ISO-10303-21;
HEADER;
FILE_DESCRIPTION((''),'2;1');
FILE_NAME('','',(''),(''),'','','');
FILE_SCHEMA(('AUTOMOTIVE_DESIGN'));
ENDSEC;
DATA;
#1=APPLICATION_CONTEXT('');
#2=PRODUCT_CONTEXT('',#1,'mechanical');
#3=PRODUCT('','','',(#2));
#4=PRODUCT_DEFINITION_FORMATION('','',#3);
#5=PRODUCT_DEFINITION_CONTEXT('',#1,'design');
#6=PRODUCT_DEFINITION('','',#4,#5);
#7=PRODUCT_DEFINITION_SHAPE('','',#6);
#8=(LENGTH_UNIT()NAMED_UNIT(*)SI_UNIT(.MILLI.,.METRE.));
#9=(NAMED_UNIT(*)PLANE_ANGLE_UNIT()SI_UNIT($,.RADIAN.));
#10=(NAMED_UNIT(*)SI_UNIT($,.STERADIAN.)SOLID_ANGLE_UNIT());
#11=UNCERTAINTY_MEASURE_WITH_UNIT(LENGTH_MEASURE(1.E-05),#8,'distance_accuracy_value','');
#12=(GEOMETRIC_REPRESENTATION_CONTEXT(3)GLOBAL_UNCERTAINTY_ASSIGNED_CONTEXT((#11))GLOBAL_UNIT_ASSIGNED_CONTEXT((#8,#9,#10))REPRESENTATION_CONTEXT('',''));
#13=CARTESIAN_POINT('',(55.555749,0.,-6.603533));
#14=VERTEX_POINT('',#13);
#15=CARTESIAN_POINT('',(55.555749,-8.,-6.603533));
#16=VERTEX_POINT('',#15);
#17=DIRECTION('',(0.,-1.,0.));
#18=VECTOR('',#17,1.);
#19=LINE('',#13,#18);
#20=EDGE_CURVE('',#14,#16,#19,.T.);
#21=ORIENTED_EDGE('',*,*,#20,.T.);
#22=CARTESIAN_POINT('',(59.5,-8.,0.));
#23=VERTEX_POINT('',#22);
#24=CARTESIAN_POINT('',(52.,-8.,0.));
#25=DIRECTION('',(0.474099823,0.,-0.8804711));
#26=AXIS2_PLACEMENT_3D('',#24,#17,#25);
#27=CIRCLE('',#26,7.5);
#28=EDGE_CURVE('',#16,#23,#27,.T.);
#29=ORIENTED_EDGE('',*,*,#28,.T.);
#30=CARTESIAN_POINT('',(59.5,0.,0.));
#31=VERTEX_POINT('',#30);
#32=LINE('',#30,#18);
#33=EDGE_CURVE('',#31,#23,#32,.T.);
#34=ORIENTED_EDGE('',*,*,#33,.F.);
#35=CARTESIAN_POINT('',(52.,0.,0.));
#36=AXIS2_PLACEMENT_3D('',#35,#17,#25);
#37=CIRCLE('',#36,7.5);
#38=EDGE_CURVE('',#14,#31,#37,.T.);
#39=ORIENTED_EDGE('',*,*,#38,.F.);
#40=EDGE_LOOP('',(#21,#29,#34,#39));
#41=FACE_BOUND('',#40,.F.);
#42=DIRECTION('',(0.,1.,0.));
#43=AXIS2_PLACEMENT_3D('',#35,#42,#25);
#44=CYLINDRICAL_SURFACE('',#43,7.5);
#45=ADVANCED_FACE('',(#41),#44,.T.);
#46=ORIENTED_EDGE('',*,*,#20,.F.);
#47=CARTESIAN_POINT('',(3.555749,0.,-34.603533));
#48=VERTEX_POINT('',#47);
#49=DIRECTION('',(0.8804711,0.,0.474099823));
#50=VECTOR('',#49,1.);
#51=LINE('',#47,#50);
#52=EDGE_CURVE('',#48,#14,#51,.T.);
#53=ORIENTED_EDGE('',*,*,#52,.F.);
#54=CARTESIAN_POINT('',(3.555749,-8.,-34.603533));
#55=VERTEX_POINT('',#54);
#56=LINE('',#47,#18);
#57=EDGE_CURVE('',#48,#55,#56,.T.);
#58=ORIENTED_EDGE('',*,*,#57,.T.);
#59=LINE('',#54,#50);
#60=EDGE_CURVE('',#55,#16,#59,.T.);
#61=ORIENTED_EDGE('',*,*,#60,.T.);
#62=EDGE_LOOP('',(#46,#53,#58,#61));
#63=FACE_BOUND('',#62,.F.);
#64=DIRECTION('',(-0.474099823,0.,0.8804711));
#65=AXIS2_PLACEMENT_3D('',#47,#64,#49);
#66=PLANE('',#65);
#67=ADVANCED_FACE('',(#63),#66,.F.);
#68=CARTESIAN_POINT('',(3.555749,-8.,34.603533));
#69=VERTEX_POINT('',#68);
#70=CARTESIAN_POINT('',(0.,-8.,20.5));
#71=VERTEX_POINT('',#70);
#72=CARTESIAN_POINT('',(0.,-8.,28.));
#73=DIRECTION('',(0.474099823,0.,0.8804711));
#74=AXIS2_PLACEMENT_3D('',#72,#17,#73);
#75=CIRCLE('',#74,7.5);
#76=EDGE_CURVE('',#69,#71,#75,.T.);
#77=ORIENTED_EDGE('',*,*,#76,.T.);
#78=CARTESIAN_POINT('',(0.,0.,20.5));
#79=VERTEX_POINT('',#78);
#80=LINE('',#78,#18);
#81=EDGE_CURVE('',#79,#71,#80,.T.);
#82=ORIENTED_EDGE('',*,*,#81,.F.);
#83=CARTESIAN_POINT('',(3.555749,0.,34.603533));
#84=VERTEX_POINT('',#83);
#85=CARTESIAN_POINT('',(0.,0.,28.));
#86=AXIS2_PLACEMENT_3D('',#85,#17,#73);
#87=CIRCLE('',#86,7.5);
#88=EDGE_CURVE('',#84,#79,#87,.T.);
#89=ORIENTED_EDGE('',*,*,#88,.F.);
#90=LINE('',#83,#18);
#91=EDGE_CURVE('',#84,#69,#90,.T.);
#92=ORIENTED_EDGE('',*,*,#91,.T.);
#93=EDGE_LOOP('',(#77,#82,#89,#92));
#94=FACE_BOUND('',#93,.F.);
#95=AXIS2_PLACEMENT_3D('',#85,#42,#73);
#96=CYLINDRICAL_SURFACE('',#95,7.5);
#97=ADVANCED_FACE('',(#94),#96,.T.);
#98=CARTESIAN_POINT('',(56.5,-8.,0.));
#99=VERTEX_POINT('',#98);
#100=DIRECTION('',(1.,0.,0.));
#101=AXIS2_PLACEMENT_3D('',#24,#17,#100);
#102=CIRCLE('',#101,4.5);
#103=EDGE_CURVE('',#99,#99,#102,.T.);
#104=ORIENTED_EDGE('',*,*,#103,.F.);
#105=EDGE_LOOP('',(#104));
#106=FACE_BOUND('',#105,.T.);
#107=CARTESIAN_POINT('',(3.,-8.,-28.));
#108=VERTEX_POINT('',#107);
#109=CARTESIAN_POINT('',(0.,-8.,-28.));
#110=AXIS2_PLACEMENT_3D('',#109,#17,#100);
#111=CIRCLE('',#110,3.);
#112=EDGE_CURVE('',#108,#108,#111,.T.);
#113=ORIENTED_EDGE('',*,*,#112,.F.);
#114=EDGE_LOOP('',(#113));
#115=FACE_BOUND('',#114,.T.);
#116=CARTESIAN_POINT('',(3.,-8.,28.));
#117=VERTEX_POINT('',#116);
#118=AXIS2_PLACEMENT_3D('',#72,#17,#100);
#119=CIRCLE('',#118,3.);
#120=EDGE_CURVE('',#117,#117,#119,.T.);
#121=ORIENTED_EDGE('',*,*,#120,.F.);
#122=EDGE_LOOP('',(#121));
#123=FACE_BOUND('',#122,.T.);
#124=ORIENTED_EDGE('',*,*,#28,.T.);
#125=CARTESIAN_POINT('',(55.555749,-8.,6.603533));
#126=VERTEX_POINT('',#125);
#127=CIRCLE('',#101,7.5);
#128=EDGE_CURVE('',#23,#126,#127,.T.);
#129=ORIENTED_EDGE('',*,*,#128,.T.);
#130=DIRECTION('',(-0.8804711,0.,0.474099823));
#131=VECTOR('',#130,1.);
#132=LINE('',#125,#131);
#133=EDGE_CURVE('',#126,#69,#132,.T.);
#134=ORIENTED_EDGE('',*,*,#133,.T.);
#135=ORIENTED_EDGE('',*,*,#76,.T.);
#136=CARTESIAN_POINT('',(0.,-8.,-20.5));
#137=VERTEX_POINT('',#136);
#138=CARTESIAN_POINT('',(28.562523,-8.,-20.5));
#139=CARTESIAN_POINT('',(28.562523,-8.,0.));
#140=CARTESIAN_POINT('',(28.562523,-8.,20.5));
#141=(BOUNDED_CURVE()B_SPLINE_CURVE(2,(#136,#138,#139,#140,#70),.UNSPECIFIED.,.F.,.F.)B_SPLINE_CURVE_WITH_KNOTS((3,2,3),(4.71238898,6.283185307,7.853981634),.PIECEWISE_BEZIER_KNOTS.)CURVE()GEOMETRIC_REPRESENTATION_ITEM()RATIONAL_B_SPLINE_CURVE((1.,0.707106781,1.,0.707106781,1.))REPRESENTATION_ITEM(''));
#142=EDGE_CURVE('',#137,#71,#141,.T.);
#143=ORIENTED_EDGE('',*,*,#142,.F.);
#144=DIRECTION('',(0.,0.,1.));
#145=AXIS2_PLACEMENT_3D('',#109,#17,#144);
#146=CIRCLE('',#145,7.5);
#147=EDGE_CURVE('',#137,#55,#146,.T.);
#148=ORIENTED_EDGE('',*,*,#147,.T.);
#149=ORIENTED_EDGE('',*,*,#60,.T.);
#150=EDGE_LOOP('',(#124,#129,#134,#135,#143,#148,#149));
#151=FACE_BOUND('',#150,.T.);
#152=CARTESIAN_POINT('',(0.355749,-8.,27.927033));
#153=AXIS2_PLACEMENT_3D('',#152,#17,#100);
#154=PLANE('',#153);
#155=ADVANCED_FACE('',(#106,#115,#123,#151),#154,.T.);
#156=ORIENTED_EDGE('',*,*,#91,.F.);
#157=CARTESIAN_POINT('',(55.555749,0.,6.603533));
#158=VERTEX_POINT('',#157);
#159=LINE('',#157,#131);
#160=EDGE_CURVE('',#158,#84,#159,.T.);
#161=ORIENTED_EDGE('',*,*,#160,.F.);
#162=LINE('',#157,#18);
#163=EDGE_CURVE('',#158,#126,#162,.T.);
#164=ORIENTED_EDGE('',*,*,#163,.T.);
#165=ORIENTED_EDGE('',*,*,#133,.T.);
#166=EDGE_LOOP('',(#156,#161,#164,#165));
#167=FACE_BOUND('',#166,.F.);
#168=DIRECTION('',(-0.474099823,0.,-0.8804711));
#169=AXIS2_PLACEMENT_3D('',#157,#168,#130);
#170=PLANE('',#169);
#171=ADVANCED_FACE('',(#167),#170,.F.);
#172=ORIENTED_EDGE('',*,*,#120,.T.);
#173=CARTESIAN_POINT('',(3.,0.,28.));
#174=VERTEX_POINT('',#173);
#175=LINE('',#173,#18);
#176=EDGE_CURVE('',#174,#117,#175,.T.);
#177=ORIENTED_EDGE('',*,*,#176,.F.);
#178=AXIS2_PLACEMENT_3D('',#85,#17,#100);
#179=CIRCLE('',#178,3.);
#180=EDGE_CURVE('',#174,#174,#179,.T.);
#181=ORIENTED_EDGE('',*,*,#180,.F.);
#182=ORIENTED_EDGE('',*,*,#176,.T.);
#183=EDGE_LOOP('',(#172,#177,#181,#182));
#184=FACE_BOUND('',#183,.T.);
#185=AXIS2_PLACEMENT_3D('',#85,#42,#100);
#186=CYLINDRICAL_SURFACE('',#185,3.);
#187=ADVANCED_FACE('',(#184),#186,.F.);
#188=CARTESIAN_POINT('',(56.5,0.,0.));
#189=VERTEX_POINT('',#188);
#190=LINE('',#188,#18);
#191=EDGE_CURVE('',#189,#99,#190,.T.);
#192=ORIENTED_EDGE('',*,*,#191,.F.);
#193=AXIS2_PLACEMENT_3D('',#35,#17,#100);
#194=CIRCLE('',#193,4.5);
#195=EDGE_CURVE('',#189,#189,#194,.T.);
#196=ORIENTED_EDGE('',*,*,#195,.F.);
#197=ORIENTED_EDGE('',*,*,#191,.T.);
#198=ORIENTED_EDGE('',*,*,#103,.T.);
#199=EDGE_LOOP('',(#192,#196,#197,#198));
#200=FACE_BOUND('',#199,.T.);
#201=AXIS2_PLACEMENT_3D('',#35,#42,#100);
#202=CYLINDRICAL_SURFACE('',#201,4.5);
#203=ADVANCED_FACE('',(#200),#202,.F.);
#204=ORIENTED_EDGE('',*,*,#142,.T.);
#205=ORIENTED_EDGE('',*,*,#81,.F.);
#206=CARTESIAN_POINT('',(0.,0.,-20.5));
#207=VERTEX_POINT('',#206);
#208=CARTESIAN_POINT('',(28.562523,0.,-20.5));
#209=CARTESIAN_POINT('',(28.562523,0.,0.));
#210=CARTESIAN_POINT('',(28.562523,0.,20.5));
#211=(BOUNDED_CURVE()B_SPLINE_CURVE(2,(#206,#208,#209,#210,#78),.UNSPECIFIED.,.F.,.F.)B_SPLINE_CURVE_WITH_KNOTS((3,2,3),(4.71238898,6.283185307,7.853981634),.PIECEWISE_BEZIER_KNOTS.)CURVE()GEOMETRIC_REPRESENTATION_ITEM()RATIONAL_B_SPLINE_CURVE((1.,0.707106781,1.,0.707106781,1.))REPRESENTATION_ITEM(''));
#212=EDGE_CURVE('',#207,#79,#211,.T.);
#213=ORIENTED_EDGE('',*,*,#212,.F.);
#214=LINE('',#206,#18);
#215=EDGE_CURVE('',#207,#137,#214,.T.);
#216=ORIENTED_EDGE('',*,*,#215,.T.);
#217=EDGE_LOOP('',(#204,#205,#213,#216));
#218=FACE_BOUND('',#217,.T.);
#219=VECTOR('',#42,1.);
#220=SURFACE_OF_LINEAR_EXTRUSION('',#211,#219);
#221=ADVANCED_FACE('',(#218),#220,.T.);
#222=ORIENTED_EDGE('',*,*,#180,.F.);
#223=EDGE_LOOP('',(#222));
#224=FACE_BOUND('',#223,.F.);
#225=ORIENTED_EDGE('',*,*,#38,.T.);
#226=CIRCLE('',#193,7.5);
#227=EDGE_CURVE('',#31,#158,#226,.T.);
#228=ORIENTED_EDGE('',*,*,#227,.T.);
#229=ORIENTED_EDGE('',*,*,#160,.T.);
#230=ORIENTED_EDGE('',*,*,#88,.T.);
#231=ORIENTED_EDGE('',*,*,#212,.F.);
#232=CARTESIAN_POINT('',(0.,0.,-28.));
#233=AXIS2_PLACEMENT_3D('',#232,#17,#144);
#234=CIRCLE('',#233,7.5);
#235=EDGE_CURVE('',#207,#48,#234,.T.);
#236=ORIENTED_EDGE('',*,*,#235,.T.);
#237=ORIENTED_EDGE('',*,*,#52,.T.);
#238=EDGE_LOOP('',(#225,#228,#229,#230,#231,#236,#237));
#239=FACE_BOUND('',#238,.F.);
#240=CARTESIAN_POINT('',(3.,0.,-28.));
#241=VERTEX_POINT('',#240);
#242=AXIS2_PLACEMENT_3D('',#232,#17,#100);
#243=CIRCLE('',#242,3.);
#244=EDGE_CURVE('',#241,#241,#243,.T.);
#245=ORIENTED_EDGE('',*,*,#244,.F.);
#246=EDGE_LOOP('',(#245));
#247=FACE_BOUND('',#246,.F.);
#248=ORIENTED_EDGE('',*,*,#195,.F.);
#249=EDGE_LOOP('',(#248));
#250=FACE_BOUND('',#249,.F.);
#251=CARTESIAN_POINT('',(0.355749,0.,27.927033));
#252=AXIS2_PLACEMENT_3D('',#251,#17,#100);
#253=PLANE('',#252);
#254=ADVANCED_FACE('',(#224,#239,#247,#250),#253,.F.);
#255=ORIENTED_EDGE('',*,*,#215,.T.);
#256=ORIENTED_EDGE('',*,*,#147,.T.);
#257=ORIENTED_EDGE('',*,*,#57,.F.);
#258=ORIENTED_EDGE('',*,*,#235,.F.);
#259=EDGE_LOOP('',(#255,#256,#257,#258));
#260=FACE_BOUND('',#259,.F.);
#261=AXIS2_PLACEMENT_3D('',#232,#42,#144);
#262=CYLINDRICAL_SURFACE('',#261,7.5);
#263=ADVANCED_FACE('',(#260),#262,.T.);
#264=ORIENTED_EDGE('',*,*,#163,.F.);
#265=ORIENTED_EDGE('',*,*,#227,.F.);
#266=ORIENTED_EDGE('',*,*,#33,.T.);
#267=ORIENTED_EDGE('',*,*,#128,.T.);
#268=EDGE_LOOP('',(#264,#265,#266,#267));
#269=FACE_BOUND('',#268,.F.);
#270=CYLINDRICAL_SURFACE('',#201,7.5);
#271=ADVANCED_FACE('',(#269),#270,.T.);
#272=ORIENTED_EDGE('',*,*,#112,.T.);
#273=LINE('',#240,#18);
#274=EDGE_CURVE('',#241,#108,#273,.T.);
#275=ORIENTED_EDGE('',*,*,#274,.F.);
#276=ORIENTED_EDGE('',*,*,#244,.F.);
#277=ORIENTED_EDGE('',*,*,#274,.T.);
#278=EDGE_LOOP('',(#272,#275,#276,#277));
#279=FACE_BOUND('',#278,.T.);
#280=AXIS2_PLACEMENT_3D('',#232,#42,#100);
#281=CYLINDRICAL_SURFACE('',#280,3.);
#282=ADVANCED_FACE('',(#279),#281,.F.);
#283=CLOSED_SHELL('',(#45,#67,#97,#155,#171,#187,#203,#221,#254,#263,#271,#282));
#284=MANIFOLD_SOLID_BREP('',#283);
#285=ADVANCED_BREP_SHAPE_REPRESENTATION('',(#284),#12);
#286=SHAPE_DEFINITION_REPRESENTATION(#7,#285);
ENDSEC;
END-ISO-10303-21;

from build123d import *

# Parameters (mm, degrees)
F0_R     = 3
F0_R_2   = 4.5
F1_DEPTH = 8


with BuildPart() as f1:
    # F0 (on Front) → F1 (new body)
    with BuildSketch(Plane.XZ):
        with BuildLine():
            ThreePointArc((0, 20.5), (5.3033008589, 22.6966991411), (7.5, 28))
            ThreePointArc((7.5, 28), (6.4388708267, 31.8458994367), (3.5557486728, 34.6035332494))
            ThreePointArc((3.5557486728, 34.6035332494), (-7.2724307962, 29.8335076533), (0, 20.5))
        make_face()
        with Locations((0, 28)):
            Circle(F0_R, mode=Mode.SUBTRACT)
        with BuildLine():
            ThreePointArc((3.5557486728, 34.6035332494), (6.4388708267, 31.8458994367), (7.5, 28))
            ThreePointArc((7.5, 28), (5.3033008589, 22.6966991411), (0, 20.5))
            add(Edge.make_bspline(
                [(0, -20.5), (28.5625234834, -20.5), (28.5625234834, 0), (28.5625234834, 20.5), (0, 20.5)],
                knots=[4.7123889804, 4.7123889804, 4.7123889804, 6.2831853072, 6.2831853072, 7.853981634, 7.853981634, 7.853981634], degree=2, weights=[1, 0.7071067812, 1, 0.7071067812, 1]))
            ThreePointArc((0, -20.5), (5.3033008589, -22.6966991411), (7.5, -28))
            ThreePointArc((7.5, -28), (6.4388708267, -31.8458994367), (3.5557486728, -34.6035332494))
            Line((3.5557486728, -34.6035332494), (55.5557486728, -6.6035332494))
            ThreePointArc((55.5557486728, -6.6035332494), (44.5, 0), (55.5557486728, 6.6035332494))
            Line((55.5557486728, 6.6035332494), (3.5557486728, 34.6035332494))
        make_face()
        with BuildLine():
            ThreePointArc((59.5, 0), (58.4388708267, 3.8458994367), (55.5557486728, 6.6035332494))
            ThreePointArc((55.5557486728, 6.6035332494), (44.5, 0), (55.5557486728, -6.6035332494))
            ThreePointArc((55.5557486728, -6.6035332494), (58.4388708267, -3.8458994367), (59.5, 0))
        make_face()
        with Locations((52, 0)):
            Circle(F0_R_2, mode=Mode.SUBTRACT)
        with BuildLine():
            ThreePointArc((7.5, -28), (5.3033008589, -22.6966991411), (0, -20.5))
            ThreePointArc((0, -20.5), (-7.2724307962, -29.8335076533), (3.5557486728, -34.6035332494))
            ThreePointArc((3.5557486728, -34.6035332494), (6.4388708267, -31.8458994367), (7.5, -28))
        make_face()
        with Locations((0, -28)):
            Circle(F0_R, mode=Mode.SUBTRACT)
    extrude(amount=F1_DEPTH)


solid = f1.part
